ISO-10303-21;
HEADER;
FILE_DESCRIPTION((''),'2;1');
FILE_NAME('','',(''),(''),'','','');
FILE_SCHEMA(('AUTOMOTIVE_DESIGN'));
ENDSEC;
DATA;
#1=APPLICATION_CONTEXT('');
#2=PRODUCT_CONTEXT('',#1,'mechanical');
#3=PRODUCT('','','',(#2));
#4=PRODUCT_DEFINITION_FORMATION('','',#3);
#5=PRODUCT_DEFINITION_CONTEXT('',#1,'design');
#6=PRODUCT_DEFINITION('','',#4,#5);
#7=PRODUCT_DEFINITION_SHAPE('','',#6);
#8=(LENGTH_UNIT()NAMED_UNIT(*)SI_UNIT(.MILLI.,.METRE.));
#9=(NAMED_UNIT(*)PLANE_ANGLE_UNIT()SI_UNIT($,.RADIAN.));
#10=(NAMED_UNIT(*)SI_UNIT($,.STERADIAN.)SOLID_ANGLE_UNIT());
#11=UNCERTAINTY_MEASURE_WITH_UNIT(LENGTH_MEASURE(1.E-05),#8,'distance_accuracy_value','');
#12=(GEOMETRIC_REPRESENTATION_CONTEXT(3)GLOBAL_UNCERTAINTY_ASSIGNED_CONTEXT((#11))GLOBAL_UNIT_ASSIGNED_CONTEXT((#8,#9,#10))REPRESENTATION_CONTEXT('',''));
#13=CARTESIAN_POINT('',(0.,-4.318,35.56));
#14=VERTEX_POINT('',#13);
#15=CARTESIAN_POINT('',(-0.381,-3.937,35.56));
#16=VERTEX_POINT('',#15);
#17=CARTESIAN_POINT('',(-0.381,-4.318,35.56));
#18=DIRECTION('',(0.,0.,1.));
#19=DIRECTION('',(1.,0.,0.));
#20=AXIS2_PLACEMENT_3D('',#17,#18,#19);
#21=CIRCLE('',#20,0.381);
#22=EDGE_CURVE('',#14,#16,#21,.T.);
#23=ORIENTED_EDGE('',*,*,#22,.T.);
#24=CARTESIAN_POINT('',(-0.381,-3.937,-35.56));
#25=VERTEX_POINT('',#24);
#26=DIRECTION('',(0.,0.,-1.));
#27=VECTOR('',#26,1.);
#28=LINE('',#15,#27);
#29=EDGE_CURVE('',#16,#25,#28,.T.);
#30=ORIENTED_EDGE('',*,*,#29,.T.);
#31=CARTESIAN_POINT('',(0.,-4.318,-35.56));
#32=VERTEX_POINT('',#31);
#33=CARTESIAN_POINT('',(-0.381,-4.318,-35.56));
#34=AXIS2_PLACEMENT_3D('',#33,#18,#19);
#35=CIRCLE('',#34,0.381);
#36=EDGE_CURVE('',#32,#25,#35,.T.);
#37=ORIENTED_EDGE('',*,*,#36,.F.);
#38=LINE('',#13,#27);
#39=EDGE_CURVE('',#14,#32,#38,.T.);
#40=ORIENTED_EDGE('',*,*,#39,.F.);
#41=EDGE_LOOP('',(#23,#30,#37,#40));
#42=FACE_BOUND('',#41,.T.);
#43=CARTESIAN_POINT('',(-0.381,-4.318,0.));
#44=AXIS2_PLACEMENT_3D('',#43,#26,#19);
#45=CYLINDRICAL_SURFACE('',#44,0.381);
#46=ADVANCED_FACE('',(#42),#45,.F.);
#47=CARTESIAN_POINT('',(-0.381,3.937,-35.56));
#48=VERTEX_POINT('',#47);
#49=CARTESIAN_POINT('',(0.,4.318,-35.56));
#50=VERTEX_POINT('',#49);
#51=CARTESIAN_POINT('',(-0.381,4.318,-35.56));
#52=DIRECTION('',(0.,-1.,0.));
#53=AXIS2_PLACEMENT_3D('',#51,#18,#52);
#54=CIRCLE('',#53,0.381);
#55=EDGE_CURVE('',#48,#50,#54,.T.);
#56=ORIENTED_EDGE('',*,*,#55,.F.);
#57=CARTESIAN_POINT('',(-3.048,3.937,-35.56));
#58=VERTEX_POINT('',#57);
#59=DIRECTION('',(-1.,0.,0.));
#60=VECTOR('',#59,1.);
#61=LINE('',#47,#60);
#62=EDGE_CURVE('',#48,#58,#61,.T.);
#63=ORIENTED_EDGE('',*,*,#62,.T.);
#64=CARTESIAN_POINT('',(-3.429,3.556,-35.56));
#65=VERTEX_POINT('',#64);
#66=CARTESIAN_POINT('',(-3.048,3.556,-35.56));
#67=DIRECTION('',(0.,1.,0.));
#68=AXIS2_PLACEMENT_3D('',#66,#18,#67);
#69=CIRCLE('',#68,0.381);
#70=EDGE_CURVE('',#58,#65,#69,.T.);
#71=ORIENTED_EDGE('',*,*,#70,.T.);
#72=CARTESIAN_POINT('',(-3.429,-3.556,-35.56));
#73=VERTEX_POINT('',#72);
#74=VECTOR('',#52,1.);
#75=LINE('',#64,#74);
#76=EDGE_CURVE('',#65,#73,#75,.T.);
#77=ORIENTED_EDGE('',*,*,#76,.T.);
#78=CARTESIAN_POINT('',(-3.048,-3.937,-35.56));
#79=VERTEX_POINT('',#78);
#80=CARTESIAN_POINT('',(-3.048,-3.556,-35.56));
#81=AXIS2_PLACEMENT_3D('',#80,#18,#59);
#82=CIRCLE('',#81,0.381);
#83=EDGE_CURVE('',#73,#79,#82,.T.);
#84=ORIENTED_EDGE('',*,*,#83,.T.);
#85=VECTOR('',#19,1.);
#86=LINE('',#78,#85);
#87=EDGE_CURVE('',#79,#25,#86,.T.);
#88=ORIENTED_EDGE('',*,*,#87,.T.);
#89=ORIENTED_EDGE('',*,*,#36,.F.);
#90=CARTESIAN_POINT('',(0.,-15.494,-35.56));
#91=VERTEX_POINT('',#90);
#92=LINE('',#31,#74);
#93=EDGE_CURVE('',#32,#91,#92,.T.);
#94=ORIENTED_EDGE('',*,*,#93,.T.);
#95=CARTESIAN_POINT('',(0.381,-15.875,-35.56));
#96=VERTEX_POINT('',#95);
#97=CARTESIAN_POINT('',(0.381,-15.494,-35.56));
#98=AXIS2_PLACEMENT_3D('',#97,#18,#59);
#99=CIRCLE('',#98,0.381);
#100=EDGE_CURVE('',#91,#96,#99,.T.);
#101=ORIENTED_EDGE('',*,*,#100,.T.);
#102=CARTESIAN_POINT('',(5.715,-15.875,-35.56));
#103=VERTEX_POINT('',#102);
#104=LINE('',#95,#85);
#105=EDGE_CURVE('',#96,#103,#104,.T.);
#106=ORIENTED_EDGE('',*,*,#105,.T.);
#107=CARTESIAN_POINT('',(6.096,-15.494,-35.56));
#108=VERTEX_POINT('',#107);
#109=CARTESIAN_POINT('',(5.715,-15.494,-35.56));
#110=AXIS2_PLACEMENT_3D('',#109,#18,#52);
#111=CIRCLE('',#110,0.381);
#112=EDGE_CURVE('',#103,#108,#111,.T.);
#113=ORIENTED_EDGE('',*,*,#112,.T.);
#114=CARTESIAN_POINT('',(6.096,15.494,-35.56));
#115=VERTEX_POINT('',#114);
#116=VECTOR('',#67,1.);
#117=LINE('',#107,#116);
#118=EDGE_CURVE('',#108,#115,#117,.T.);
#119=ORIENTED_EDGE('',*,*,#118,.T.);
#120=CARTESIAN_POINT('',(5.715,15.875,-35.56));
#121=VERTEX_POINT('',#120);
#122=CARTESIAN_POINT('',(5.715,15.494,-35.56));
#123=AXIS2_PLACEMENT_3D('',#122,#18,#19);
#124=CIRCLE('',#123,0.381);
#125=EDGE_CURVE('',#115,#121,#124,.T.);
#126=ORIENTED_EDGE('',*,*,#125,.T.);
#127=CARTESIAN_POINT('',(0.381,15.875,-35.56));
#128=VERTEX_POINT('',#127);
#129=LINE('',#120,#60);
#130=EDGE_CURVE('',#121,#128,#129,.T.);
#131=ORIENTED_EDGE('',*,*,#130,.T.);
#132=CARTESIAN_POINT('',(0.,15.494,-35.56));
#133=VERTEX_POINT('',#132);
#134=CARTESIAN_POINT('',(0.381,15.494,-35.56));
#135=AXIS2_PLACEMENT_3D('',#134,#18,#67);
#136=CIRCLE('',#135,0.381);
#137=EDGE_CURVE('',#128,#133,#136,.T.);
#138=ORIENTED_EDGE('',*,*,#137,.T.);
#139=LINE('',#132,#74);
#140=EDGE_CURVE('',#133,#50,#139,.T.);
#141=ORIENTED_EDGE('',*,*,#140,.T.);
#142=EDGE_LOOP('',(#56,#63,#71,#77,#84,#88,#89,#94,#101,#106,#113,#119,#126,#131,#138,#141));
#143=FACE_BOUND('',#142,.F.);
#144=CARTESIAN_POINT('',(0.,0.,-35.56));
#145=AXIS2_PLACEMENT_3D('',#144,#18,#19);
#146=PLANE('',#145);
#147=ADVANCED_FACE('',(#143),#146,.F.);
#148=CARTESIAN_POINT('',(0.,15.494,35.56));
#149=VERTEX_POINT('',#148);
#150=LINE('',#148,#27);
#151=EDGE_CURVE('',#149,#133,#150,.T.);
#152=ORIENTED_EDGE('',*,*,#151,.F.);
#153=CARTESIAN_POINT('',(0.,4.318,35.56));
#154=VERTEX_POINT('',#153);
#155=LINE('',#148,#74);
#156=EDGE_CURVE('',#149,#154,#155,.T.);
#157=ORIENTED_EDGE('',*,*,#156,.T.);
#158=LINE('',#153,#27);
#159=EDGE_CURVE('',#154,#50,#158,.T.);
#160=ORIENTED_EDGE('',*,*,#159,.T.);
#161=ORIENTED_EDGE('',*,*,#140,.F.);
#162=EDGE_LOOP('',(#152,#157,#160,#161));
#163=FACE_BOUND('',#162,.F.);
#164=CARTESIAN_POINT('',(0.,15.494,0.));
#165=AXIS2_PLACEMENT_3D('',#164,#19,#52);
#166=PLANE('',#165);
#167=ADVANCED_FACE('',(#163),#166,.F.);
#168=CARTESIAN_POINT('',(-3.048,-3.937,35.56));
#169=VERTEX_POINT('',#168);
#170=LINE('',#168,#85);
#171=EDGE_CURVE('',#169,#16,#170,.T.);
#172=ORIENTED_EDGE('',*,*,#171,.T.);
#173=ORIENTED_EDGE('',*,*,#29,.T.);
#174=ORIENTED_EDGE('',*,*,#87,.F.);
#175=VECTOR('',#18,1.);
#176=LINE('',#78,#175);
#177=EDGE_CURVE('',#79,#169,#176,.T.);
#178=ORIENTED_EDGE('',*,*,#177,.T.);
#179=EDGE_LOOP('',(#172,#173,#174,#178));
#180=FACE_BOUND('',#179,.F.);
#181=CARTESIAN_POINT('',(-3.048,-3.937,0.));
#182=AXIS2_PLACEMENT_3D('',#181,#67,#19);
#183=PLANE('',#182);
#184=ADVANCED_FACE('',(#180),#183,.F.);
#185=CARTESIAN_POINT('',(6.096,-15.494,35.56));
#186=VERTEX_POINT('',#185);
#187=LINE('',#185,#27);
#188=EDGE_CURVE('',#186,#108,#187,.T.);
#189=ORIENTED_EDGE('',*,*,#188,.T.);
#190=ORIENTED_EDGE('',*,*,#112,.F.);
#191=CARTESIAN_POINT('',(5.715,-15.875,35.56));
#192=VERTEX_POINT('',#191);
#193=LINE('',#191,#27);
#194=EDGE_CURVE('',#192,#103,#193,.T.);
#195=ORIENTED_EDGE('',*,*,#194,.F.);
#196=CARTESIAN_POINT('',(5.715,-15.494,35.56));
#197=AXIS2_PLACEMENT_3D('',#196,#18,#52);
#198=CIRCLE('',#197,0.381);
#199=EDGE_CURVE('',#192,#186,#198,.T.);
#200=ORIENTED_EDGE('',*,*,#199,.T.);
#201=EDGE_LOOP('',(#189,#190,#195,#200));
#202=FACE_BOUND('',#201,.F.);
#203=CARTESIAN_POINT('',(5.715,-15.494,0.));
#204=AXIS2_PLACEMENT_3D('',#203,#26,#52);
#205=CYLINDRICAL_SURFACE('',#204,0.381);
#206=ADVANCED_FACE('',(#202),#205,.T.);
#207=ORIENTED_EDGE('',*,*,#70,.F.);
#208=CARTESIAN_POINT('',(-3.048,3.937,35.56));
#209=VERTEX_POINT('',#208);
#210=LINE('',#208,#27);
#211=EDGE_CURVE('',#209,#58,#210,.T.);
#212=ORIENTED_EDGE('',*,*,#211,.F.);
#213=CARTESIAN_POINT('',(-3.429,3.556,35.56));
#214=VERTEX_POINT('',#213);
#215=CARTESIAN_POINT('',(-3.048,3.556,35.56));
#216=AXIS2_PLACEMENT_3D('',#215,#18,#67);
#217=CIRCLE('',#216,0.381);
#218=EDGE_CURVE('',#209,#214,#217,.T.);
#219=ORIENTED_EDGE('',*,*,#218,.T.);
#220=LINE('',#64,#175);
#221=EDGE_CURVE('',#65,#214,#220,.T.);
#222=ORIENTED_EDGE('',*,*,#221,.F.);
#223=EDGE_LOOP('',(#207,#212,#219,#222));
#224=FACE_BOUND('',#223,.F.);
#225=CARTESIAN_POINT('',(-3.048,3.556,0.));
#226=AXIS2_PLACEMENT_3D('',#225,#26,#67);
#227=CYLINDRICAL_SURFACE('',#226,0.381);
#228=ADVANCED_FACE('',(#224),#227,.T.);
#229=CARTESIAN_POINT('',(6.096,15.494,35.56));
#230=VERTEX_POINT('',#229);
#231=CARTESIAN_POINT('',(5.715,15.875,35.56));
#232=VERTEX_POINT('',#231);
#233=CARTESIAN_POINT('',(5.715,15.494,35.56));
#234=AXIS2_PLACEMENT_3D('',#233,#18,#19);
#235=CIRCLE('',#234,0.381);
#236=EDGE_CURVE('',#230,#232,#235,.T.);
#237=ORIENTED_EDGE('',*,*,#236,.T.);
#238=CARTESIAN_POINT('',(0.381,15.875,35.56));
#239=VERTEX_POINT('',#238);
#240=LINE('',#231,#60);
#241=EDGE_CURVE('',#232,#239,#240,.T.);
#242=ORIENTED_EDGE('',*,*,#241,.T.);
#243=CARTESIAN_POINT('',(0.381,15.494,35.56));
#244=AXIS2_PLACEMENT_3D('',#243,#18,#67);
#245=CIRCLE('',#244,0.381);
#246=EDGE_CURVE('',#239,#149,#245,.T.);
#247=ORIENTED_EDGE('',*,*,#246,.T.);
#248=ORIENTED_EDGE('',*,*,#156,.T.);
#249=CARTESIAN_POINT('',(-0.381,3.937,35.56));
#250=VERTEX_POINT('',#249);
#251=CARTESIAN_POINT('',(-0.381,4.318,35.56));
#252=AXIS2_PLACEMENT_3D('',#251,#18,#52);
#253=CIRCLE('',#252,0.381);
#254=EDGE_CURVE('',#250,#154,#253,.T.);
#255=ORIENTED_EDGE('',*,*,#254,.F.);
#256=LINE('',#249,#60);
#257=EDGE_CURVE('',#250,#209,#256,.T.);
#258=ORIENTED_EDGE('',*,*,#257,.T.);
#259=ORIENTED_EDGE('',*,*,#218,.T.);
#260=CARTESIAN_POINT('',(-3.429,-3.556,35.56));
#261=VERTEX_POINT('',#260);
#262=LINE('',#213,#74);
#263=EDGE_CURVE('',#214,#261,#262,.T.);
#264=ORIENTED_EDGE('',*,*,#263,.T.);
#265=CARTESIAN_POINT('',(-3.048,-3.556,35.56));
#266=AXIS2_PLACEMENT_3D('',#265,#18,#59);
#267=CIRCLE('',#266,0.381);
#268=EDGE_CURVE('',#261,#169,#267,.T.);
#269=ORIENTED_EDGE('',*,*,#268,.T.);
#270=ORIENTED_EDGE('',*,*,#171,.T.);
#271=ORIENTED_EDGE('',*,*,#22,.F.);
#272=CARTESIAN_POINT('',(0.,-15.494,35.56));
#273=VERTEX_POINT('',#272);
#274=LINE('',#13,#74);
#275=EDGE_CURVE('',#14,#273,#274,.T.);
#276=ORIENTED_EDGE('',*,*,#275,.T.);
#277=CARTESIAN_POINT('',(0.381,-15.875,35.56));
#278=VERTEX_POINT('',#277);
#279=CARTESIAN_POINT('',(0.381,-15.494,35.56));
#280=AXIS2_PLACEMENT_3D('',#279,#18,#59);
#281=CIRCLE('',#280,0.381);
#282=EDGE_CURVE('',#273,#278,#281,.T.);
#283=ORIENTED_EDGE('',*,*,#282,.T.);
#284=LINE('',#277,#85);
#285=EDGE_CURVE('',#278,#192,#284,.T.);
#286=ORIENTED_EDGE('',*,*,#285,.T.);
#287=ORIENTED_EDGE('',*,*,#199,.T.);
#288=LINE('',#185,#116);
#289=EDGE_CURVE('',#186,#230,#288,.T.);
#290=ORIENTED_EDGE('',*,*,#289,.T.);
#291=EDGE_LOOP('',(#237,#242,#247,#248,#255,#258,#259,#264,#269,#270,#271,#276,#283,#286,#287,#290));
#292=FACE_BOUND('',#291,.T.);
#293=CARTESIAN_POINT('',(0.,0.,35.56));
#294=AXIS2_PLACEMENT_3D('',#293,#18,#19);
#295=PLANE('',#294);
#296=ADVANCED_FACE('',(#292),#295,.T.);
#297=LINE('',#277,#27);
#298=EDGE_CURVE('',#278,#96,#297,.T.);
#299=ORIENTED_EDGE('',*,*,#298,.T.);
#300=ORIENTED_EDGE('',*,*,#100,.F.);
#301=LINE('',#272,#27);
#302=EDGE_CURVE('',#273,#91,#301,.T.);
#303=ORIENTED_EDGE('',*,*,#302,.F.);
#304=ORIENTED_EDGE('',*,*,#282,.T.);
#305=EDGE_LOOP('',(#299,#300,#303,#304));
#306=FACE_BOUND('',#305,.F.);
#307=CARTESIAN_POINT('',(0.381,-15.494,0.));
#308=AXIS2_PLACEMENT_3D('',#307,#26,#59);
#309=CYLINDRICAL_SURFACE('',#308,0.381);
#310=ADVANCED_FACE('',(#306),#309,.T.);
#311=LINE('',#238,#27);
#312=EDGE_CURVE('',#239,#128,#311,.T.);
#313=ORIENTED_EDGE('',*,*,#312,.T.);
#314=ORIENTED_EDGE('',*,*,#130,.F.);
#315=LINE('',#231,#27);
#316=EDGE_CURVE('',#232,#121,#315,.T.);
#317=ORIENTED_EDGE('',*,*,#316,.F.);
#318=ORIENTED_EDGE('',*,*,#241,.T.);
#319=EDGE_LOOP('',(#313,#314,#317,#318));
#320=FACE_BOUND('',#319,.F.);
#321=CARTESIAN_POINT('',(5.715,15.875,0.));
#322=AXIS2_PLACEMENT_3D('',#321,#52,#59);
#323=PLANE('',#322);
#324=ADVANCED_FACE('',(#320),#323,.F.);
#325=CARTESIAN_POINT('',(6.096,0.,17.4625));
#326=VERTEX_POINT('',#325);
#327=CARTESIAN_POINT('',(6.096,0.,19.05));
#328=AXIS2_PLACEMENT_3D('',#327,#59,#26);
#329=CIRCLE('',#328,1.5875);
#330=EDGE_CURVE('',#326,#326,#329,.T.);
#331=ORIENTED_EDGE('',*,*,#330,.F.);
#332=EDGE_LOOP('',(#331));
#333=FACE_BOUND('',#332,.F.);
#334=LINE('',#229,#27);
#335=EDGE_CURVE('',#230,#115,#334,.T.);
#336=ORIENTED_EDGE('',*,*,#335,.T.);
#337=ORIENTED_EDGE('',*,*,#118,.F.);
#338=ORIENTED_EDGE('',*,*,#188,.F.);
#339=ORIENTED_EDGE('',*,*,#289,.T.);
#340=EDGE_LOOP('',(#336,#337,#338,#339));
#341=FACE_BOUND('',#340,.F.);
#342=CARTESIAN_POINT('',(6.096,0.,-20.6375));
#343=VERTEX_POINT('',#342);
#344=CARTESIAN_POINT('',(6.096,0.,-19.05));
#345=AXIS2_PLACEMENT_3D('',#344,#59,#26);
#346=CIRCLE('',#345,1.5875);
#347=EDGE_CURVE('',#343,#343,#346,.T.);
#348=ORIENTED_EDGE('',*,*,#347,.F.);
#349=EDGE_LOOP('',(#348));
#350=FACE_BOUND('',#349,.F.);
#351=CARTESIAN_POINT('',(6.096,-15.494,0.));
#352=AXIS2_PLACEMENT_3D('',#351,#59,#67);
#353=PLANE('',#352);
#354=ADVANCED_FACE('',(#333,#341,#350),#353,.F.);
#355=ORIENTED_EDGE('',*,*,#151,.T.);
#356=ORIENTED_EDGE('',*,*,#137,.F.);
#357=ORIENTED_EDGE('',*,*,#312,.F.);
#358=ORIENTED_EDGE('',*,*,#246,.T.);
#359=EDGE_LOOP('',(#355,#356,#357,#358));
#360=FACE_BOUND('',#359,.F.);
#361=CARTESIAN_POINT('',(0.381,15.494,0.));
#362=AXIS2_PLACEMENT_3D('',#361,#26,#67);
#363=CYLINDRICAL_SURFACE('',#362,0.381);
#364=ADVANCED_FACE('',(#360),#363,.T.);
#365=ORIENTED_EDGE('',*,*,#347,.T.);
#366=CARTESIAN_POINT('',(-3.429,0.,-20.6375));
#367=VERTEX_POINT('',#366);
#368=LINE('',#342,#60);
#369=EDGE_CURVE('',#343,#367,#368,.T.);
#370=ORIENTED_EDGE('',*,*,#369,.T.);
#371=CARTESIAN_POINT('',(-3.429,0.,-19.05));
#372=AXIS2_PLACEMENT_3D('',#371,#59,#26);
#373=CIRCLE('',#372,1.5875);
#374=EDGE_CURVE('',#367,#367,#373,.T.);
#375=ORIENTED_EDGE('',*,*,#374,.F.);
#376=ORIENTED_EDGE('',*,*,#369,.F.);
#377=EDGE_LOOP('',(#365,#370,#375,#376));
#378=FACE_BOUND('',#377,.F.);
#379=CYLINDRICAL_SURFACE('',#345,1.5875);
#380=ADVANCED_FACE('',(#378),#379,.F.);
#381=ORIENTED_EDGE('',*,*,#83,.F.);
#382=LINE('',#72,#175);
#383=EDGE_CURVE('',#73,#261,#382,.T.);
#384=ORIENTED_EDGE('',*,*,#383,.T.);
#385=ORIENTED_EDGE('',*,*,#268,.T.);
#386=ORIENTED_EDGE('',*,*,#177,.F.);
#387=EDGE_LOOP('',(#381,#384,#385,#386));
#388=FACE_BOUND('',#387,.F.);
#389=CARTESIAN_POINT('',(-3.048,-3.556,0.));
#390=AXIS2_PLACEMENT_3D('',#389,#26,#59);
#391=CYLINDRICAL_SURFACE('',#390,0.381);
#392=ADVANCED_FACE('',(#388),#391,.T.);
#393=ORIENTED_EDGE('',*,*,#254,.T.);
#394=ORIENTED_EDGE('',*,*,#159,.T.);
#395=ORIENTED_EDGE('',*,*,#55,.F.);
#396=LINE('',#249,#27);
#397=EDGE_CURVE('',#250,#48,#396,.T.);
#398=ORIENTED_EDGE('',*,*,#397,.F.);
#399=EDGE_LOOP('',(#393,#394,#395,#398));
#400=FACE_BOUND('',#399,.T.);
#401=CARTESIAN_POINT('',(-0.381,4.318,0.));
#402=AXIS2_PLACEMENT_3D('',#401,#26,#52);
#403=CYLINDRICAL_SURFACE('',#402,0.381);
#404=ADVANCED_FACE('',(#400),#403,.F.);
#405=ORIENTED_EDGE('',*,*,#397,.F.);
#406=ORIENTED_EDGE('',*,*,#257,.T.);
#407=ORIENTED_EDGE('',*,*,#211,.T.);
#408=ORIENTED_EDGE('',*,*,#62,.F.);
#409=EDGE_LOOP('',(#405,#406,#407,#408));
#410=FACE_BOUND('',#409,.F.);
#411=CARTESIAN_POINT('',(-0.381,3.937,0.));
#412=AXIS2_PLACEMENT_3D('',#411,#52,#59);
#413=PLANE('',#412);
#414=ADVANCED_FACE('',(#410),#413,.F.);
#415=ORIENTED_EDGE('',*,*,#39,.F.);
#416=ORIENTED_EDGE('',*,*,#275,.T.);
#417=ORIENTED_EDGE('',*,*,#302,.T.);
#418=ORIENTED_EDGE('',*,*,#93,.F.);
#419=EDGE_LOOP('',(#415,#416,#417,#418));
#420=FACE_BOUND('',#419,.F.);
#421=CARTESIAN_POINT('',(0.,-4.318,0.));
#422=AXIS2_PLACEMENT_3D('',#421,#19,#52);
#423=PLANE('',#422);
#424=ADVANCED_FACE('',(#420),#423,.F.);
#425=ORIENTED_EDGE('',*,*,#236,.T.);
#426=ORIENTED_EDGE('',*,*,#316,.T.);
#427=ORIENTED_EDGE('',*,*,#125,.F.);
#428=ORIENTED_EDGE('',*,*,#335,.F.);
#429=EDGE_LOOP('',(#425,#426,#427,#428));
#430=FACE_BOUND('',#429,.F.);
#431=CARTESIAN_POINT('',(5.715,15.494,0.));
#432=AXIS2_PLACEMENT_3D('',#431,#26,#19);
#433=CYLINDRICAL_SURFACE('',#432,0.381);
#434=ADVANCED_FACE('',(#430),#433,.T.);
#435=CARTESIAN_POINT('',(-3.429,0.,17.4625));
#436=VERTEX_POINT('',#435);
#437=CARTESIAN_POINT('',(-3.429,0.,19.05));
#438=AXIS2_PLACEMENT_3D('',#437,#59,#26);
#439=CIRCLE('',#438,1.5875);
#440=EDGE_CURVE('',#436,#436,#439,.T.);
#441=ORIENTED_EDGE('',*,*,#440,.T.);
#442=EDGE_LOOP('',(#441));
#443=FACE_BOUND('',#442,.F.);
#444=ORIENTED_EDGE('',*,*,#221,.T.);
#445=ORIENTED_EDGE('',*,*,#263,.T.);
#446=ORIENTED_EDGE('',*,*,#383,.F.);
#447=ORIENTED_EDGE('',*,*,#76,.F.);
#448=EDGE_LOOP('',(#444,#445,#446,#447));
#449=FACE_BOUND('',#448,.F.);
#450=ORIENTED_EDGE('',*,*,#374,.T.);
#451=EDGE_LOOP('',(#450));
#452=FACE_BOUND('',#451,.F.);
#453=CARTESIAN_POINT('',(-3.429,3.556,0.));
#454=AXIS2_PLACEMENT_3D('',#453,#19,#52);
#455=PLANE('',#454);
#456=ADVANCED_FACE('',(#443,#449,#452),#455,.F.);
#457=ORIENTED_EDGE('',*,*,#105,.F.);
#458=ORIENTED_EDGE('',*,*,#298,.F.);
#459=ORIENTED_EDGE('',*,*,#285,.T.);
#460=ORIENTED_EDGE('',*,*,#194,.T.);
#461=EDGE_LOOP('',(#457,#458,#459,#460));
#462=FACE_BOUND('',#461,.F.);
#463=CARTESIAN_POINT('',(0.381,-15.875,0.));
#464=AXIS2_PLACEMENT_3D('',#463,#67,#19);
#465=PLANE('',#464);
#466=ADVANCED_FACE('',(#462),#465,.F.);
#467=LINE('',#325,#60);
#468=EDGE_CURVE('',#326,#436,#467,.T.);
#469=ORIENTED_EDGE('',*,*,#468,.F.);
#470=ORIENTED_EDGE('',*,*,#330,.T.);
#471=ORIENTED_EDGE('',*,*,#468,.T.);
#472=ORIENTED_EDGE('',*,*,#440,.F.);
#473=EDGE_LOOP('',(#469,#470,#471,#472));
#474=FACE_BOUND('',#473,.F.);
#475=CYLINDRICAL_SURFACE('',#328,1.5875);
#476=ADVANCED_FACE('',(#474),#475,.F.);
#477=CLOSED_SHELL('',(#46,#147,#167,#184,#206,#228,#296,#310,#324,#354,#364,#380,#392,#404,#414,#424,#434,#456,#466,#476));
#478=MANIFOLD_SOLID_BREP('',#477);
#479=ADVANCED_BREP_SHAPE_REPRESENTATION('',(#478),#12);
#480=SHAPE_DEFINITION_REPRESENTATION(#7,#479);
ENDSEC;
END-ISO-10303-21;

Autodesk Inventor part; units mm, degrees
sketch "Sketch_5" plane through (0, 0, 0) normal (0, 0, 1) x (1, 0, 0)
  line L0 (-3.429, 3.556) -> (-3.429, -3.556)
  arc A0 (-3.429, -3.556) -> (-3.048, -3.937) centre (-3.048, -3.556) ccw
  line L1 (-3.048, -3.937) -> (-0.381, -3.937)
  arc A1 (0, -4.318) -> (-0.381, -3.937) centre (-0.381, -4.318) ccw
  line L2 (0, -4.318) -> (0, -15.494)
  arc A2 (0, -15.494) -> (0.381, -15.875) centre (0.381, -15.494) ccw
  line L3 (0.381, -15.875) -> (5.715, -15.875)
  arc A3 (5.715, -15.875) -> (6.096, -15.494) centre (5.715, -15.494) ccw
  line L4 (6.096, -15.494) -> (6.096, 15.494)
  arc A4 (6.096, 15.494) -> (5.715, 15.875) centre (5.715, 15.494) ccw
  line L5 (5.715, 15.875) -> (0.381, 15.875)
  arc A5 (0.381, 15.875) -> (0, 15.494) centre (0.381, 15.494) ccw
  line L6 (0, 15.494) -> (0, 4.318)
  arc A6 (-0.381, 3.937) -> (0, 4.318) centre (-0.381, 4.318) ccw
  line L7 (-0.381, 3.937) -> (-3.048, 3.937)
  arc A7 (-3.048, 3.937) -> (-3.429, 3.556) centre (-3.048, 3.556) ccw
extrude "Extrusion1" add sketch "Sketch_5" along normal mid plane 71.12
sketch "Sketch2" plane through (6.096, -15.494, 35.56) normal (1, 0, 0) x (0, 0, -1)
  point P0 (16.51, 15.494)
hole "Hole1" at (6.096, 0, 19.05) direction (-1, 0, 0) diameter 3.175 depth 9.525
sketch "Sketch3" plane through (6.096, -15.494, 35.56) normal (1, 0, 0) x (0, 0, -1)
  point P0 (54.61, 15.494)
hole "Hole2" at (6.096, 0, -19.05) direction (-1, 0, 0) diameter 3.175 depth 9.525
ref_plane "p1_XY" through (6.096, 0, 19.05) normal (1, 0, 0) x (0, 0, -1)
ref_plane "p1_YZ" through (6.096, 0, 19.05) normal (0, 0, -1) x (0, 1, 0)
ref_plane "p1_ZX" through (6.096, 0, 19.05) normal (0, 1, 0) x (1, 0, 0)
properties part number "6825_p2"
